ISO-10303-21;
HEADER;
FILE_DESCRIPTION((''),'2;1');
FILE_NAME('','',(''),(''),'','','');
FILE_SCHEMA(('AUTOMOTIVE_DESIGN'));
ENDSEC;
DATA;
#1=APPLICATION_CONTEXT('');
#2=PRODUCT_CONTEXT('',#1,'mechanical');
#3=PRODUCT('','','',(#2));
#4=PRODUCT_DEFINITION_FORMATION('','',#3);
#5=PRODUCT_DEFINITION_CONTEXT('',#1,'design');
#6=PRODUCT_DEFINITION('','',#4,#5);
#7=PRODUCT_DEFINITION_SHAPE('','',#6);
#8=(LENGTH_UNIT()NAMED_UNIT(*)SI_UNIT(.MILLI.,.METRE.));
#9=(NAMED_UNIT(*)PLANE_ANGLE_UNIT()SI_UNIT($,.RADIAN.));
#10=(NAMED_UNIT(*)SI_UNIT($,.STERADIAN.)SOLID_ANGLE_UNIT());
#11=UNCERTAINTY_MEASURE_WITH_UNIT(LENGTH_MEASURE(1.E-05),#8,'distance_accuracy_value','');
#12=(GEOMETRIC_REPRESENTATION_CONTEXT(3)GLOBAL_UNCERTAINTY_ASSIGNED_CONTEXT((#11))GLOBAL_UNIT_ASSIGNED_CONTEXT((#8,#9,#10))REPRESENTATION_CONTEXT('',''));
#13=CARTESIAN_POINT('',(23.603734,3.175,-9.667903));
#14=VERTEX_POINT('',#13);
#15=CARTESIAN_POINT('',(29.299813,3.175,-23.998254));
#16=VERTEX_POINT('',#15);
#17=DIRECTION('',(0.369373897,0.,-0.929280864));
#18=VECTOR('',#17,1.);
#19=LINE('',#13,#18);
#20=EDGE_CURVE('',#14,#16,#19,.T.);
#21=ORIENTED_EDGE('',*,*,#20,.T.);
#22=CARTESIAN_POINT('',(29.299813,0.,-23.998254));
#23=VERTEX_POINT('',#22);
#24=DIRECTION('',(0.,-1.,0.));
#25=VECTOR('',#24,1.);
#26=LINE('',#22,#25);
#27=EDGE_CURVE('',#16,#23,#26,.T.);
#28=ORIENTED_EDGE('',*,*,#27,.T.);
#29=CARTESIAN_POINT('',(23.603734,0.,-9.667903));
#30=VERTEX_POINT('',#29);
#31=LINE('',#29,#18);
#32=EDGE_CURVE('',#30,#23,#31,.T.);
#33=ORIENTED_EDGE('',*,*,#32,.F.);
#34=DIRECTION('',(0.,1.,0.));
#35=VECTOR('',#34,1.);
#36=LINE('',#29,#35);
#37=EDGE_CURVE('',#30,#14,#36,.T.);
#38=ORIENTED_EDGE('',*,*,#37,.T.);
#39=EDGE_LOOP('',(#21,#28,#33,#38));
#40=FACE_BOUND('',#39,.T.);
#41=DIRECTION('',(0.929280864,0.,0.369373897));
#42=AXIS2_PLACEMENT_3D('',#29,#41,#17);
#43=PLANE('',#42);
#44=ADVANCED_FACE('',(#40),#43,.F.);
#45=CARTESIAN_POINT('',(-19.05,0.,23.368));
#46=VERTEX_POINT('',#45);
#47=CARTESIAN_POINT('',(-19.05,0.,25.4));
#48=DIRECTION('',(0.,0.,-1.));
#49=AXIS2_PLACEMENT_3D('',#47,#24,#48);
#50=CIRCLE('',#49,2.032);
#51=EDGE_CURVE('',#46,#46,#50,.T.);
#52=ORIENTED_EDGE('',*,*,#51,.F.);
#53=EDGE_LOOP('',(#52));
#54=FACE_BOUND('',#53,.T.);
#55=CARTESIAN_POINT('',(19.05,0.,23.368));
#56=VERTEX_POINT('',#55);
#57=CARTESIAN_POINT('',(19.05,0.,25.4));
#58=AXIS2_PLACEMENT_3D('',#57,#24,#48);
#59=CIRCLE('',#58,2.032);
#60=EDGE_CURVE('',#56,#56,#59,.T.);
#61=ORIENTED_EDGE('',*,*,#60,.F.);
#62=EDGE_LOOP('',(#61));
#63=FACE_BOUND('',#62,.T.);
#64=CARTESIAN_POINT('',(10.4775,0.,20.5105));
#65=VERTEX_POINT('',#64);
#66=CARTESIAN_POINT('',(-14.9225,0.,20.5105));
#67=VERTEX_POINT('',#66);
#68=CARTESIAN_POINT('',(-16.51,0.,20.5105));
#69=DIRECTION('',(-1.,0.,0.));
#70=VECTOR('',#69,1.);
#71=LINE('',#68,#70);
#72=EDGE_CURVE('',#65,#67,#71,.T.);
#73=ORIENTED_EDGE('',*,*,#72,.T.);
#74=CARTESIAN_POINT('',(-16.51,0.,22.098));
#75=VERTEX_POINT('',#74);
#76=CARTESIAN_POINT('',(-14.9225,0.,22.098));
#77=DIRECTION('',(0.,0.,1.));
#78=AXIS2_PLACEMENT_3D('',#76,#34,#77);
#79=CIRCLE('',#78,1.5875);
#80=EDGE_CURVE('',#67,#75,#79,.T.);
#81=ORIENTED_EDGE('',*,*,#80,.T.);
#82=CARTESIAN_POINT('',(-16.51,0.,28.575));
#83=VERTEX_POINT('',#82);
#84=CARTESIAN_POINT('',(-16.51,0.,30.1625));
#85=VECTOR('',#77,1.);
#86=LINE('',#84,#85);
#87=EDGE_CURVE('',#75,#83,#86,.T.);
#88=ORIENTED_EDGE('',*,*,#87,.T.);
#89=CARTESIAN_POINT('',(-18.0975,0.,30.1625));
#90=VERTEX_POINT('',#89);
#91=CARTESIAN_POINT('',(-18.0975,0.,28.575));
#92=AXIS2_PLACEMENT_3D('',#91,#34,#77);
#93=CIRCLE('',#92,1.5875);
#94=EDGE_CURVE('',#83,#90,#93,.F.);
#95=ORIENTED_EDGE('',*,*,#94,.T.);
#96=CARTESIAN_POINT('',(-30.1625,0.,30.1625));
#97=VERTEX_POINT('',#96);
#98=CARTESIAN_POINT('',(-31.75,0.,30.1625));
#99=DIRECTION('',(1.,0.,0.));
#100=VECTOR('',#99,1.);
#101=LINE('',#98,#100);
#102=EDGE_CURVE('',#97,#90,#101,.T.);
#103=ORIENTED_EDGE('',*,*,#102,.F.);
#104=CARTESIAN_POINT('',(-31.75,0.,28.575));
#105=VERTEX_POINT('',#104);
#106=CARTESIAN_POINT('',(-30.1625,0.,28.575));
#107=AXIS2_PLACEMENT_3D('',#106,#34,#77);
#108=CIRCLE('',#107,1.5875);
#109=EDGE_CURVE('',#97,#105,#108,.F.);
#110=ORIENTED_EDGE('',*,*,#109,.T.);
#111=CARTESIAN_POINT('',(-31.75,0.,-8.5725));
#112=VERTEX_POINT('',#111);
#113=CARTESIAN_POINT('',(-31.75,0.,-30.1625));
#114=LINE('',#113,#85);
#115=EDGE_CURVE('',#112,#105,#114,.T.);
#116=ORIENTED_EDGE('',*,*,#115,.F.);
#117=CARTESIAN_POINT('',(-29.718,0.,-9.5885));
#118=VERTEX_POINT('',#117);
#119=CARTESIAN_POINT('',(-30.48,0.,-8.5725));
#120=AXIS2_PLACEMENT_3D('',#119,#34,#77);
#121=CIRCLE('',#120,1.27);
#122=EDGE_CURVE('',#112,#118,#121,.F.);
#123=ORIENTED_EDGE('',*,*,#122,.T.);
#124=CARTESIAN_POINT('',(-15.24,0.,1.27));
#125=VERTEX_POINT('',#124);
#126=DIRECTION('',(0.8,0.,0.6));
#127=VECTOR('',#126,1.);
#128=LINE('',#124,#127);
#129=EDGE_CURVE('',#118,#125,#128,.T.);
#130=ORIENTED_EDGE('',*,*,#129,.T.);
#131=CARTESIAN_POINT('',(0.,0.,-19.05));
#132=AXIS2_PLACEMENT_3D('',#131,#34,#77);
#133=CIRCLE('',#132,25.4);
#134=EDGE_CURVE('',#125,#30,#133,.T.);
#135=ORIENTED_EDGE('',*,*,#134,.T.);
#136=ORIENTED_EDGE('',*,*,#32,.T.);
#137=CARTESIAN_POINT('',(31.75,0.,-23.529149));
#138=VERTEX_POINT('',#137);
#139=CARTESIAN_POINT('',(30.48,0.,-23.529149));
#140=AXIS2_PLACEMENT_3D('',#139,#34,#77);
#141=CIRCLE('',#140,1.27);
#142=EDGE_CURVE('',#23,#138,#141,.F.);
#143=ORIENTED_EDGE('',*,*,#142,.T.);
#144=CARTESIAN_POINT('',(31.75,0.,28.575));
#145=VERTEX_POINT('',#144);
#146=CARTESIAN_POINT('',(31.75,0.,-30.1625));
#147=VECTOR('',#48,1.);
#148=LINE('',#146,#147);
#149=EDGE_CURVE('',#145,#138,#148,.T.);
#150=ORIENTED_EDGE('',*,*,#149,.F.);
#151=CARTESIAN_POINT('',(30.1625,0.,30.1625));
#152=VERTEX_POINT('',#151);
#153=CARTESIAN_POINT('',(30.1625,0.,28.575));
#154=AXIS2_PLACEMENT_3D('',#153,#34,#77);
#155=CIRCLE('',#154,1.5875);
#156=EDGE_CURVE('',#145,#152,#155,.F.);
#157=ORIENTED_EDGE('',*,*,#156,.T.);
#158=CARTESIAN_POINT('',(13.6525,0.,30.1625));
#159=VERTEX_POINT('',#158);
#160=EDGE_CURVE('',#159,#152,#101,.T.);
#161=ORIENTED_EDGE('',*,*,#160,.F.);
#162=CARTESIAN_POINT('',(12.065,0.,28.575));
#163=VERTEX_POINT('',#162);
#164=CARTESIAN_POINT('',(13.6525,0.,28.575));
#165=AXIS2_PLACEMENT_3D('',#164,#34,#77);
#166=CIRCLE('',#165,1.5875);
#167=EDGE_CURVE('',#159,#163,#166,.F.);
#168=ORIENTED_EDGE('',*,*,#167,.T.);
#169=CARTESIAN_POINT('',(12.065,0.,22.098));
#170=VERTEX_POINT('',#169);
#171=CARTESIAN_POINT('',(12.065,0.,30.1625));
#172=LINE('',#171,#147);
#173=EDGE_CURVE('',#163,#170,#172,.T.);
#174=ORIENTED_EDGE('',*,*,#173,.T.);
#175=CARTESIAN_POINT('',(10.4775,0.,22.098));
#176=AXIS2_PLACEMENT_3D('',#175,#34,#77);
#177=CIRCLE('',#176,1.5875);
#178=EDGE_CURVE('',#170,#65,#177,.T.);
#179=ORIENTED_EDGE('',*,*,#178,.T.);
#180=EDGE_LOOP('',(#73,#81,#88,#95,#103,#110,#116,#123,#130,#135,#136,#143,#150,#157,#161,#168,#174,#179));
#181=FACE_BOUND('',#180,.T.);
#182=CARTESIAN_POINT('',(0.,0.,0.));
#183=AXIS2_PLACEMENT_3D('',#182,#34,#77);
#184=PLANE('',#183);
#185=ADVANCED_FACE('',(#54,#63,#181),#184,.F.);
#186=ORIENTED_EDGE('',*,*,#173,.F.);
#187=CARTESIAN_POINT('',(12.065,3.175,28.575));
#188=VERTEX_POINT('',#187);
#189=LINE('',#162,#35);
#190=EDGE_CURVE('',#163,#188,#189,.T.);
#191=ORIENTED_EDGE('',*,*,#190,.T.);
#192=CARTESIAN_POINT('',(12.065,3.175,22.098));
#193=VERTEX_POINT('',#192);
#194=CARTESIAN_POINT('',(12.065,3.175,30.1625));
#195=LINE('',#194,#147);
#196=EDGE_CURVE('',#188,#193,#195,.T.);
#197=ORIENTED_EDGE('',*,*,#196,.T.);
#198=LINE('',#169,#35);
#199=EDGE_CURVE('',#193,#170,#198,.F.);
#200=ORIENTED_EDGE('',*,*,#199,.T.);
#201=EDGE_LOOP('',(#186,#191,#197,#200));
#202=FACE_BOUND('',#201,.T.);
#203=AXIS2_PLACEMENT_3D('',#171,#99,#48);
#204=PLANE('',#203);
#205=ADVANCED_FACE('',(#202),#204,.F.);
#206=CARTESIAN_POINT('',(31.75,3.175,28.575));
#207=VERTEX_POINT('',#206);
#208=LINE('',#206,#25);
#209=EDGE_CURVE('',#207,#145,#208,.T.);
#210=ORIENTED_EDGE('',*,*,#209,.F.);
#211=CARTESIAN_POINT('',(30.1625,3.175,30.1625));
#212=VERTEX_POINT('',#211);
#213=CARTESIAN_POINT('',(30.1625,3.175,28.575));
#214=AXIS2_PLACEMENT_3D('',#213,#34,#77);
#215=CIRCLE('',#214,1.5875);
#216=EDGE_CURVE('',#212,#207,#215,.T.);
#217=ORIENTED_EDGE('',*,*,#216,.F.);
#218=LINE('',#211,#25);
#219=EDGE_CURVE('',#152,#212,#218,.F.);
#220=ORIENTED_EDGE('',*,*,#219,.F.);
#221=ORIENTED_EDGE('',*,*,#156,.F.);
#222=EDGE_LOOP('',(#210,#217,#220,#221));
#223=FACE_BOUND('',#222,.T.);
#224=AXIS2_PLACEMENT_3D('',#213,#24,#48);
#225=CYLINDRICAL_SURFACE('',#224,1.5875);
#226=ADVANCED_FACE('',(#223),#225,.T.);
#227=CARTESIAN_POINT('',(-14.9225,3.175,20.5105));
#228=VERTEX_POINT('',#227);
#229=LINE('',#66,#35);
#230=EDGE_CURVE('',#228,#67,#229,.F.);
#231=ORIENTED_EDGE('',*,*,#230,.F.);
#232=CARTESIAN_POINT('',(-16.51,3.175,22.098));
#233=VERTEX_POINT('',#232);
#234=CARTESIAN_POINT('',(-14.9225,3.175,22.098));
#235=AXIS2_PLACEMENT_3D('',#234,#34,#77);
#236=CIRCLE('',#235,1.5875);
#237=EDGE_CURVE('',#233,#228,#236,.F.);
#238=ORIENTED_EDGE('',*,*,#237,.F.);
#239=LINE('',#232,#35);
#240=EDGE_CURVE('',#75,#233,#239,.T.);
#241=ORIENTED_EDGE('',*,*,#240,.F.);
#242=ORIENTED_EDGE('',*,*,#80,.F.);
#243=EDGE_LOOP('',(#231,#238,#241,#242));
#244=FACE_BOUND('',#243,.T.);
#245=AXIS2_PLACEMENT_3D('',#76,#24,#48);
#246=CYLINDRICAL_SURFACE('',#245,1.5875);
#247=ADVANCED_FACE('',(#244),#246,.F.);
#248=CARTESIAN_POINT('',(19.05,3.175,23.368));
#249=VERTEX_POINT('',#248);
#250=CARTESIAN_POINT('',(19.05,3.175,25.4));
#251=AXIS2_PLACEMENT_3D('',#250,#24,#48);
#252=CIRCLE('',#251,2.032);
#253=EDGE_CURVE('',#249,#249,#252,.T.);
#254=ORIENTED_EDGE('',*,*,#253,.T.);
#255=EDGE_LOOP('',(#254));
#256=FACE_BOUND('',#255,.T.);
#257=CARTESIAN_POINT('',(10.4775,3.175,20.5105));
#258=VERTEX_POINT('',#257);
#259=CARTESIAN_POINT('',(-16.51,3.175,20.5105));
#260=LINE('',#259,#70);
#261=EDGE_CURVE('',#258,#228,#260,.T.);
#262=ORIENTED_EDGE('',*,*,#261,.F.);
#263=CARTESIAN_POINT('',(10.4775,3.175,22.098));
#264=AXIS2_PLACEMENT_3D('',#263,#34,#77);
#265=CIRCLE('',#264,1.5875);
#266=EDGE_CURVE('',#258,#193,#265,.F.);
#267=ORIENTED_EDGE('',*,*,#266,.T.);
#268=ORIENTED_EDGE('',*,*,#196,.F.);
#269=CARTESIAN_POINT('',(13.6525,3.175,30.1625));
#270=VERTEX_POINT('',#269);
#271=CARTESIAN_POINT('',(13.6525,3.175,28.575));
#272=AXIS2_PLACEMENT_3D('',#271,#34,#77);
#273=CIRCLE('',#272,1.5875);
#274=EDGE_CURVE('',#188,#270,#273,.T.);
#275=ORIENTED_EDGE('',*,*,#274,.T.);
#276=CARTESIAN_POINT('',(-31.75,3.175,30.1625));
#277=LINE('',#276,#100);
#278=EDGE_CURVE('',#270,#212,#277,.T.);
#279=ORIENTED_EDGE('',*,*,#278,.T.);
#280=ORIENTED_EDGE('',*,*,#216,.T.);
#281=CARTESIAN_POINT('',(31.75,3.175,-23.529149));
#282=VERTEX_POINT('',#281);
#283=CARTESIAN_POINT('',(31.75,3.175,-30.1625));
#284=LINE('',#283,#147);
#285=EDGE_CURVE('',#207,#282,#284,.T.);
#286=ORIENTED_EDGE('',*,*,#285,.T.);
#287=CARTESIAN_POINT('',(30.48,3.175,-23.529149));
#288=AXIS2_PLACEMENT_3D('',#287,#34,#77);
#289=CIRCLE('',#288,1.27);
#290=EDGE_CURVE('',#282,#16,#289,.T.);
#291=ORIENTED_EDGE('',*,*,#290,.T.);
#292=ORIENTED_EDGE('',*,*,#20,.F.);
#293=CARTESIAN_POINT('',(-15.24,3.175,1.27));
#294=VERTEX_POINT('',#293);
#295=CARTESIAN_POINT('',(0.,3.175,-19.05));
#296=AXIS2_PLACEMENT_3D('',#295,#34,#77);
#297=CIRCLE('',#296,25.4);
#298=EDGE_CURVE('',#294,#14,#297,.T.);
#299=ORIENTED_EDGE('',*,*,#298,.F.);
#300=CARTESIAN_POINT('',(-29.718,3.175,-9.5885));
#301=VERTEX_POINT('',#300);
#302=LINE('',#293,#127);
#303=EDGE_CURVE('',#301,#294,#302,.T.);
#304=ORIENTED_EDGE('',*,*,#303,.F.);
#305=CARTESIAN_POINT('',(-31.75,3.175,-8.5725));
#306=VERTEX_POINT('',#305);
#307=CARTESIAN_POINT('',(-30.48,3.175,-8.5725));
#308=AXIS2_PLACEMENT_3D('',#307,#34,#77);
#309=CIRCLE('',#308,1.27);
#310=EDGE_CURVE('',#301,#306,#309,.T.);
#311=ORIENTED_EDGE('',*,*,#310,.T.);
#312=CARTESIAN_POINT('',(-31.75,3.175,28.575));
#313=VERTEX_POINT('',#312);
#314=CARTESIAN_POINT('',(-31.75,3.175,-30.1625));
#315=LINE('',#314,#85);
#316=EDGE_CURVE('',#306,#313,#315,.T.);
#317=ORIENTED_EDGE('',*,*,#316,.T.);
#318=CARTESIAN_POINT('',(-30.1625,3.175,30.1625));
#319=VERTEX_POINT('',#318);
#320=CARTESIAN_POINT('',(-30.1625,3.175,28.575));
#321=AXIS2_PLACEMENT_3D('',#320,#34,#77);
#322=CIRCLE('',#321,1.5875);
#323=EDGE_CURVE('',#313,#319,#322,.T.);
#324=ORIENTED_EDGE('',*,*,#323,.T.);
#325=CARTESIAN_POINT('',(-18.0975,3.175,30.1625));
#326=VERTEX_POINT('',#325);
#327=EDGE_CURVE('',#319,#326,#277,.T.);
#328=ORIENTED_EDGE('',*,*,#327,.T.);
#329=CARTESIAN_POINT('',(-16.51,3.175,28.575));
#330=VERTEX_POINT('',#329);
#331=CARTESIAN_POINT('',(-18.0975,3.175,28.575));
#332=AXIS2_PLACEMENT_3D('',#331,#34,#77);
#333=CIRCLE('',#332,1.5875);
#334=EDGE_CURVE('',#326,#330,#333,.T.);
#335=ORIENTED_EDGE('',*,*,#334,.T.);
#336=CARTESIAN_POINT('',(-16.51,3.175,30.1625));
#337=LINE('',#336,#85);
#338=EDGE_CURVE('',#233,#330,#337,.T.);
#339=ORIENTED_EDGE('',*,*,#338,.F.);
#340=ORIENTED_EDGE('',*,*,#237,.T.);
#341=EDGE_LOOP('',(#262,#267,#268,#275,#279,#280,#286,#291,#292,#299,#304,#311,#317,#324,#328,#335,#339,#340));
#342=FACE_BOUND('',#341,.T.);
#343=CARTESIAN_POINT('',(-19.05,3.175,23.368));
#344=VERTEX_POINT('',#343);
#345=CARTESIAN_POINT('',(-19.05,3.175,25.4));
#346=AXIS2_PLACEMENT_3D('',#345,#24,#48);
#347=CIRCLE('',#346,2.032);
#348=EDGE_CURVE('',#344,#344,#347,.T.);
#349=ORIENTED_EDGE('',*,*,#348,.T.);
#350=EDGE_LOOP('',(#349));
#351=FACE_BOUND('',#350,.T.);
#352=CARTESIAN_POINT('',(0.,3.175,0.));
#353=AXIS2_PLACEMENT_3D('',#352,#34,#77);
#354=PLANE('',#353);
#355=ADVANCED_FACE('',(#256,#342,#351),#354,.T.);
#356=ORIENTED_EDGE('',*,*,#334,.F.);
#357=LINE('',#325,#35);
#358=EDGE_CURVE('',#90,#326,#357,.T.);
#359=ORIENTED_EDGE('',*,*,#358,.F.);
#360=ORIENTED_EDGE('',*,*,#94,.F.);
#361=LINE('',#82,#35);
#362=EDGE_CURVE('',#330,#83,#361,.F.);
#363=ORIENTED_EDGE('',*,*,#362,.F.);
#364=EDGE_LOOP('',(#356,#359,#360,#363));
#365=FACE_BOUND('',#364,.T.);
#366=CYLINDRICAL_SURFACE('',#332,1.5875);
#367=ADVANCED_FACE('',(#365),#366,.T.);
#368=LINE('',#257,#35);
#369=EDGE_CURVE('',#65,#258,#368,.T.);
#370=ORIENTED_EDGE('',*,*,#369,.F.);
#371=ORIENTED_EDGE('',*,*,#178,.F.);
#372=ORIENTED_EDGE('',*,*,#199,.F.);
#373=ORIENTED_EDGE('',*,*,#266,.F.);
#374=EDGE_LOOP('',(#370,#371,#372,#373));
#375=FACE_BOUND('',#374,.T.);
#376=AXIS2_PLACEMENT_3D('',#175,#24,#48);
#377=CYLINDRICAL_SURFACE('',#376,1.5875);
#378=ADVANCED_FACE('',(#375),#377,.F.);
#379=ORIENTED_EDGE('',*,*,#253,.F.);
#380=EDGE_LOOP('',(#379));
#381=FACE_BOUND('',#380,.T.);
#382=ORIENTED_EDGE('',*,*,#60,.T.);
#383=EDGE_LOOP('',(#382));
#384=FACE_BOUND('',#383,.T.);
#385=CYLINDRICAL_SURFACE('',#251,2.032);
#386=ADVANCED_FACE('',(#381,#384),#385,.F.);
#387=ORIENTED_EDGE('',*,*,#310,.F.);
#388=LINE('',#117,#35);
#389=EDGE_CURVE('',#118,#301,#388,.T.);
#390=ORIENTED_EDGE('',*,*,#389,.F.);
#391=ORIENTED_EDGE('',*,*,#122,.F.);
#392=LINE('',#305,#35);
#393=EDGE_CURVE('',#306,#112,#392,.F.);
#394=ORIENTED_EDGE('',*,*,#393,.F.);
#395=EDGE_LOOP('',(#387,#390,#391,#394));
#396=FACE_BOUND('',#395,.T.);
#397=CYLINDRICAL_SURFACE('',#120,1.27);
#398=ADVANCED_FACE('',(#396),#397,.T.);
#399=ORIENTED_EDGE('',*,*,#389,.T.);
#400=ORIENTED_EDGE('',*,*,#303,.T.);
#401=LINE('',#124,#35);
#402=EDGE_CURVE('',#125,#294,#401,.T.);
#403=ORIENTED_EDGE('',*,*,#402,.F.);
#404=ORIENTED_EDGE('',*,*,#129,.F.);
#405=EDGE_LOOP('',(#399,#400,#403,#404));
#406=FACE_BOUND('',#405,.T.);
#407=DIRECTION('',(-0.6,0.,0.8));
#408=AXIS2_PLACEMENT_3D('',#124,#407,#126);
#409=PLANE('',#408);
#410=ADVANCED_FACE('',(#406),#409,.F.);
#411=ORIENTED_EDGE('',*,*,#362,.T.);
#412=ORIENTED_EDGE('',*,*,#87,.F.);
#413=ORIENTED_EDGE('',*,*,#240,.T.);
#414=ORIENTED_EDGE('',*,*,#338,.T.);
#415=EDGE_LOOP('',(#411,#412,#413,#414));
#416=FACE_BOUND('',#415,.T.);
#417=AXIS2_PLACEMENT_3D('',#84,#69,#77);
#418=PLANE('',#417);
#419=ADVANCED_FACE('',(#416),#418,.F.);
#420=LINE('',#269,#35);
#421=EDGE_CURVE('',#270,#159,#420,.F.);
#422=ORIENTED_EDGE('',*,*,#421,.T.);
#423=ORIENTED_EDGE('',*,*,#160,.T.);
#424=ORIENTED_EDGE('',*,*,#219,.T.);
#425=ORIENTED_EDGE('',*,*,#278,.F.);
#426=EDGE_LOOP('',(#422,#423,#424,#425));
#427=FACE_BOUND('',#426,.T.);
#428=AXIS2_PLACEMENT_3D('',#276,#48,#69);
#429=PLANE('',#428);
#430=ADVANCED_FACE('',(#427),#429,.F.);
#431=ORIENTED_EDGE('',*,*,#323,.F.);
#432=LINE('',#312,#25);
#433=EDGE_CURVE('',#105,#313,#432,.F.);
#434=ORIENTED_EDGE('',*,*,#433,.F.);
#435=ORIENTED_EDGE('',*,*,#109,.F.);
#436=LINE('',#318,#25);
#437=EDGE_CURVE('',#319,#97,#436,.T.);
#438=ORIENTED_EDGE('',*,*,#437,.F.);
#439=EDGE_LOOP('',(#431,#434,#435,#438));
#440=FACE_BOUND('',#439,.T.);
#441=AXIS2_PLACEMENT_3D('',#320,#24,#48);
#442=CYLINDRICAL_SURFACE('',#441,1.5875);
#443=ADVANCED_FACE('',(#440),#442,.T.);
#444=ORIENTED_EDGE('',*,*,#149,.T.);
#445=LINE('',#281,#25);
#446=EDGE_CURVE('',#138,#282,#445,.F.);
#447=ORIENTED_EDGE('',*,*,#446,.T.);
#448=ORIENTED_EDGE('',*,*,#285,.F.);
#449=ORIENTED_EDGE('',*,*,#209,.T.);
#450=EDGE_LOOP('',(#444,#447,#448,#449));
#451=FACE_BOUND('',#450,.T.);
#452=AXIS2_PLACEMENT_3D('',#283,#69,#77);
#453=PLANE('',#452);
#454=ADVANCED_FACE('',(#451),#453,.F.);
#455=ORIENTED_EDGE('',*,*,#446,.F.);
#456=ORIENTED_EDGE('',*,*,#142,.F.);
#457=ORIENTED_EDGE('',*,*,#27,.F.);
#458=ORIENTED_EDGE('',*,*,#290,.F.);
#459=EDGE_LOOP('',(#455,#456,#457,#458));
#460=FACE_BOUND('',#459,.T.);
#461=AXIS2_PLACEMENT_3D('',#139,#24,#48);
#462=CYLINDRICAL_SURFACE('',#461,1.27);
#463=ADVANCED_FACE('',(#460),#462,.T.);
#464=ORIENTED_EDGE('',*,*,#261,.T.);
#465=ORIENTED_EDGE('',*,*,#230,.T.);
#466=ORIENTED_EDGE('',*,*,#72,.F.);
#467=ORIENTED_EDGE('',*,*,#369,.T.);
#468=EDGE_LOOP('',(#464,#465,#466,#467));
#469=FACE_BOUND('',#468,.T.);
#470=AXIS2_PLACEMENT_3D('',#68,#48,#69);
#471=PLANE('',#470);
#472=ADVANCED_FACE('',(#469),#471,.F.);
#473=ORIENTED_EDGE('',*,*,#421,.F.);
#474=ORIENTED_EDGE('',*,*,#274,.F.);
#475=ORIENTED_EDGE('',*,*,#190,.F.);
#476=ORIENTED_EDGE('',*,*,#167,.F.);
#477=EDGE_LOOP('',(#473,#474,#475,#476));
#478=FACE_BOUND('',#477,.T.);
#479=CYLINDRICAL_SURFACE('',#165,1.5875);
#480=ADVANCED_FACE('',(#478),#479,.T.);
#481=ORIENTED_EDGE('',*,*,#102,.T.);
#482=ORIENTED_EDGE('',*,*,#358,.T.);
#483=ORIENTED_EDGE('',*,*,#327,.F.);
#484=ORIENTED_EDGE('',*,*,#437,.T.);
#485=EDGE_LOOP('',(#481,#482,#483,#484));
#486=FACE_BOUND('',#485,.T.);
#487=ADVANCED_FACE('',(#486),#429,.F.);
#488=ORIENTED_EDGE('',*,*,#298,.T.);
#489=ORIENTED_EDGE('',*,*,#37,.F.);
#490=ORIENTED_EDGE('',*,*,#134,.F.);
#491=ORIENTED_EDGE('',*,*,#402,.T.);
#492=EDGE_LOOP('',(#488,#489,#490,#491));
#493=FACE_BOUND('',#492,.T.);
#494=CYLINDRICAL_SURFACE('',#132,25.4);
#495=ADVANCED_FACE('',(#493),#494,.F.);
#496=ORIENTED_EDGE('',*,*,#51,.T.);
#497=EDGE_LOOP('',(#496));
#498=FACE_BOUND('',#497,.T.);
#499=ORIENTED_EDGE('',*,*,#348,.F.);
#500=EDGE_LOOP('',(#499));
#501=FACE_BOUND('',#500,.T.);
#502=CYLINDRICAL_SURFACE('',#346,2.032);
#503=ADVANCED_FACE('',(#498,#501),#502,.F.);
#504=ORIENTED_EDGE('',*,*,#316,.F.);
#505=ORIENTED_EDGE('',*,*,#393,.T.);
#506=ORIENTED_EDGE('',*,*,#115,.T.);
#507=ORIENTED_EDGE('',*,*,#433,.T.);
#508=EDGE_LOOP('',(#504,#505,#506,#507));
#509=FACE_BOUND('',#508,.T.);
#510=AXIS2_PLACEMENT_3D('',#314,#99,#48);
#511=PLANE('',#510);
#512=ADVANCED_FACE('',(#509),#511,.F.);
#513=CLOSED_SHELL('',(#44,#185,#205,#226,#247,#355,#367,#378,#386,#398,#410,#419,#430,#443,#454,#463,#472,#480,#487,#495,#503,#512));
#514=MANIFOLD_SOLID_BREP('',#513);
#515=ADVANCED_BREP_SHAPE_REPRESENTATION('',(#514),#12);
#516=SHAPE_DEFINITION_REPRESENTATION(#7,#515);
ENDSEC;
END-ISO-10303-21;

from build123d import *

# Parameters (mm, degrees)
SKETCH1_W           = 63.5
SKETCH1_H           = 60.325
BOSS_EXTRUDE1_DEPTH = 3.175
SKETCH2_R           = 2.032
CUT_EXTRUDE1_DEPTH  = 44.908080478
SKETCH3_W           = 28.575
SKETCH3_H           = 9.652
CUT_EXTRUDE2_DEPTH  = 44.908080478
FILLET1_R           = 1.5875
CUT_EXTRUDE4_DEPTH  = 44.908080478
FILLET2_R           = 1.27


with BuildPart() as part:
    # Sketch1 → Boss-Extrude1 (new body)
    with BuildSketch(Plane(origin=(0, 0, 0), x_dir=(1, 0, 0), z_dir=(0, 1, 0))):
        Rectangle(SKETCH1_W, SKETCH1_H)
    extrude(amount=BOSS_EXTRUDE1_DEPTH)

    # Sketch2 → Cut-Extrude1 (cut, through all)
    with BuildSketch(Plane(origin=(0, 0, 0), x_dir=(-1, 0, 0), z_dir=(0, -1, 0))):
        with Locations(Location((-19.05, -25.4, 0), (0, 0, 90))):
            Circle(SKETCH2_R)
        with Locations(Location((19.05, -25.4, 0), (0, 0, 90))):
            Circle(SKETCH2_R)
    extrude(amount=-CUT_EXTRUDE1_DEPTH, mode=Mode.SUBTRACT)

    # Sketch3 → Cut-Extrude2 (cut, through all)
    with BuildSketch(Plane(origin=(0, 3.175, 0), x_dir=(1, 0, 0), z_dir=(0, 1, 0))):
        with Locations((-2.2225, -25.3365)):
            Rectangle(SKETCH3_W, SKETCH3_H)
    extrude(amount=-CUT_EXTRUDE2_DEPTH, mode=Mode.SUBTRACT)

    # Fillet1
    fillet1_edges = [part.edges().sort_by_distance(p)[0] for p in [
        (-16.51, 1.5875, 30.1625),
        (-16.51, 1.5875, 20.5105),
        (12.065, 1.5875, 20.5105),
        (12.065, 1.5875, 30.1625),
        (31.75, 1.5875, 30.1625),
        (-31.75, 1.5875, 30.1625),
    ]]
    fillet(fillet1_edges, radius=FILLET1_R)

    # Sketch5 → Cut-Extrude4 (cut, through all)
    with BuildSketch(Plane(origin=(0, 3.175, 0), x_dir=(1, 0, 0), z_dir=(0, 1, 0))):
        with BuildLine():
            Line((-15.24, -1.27), (-31.75, 11.1125))
            Line((-31.75, 11.1125), (-31.75, 30.1625))
            Line((-31.75, 30.1625), (31.75, 30.1625))
            Line((31.75, 30.1625), (23.603733945, 9.667903014))
            ThreePointArc((23.603733945, 9.667903014), (6.884580014, -5.399183177), (-15.24, -1.27))
        make_face()
    extrude(amount=-CUT_EXTRUDE4_DEPTH, mode=Mode.SUBTRACT)

    # Fillet2
    fillet2_edges = [part.edges().sort_by_distance(p)[0] for p in [
        (31.75, 1.5875, -30.1625),
        (-31.75, 1.5875, -11.1125),
    ]]
    fillet(fillet2_edges, radius=FILLET2_R)


solid = part.part
